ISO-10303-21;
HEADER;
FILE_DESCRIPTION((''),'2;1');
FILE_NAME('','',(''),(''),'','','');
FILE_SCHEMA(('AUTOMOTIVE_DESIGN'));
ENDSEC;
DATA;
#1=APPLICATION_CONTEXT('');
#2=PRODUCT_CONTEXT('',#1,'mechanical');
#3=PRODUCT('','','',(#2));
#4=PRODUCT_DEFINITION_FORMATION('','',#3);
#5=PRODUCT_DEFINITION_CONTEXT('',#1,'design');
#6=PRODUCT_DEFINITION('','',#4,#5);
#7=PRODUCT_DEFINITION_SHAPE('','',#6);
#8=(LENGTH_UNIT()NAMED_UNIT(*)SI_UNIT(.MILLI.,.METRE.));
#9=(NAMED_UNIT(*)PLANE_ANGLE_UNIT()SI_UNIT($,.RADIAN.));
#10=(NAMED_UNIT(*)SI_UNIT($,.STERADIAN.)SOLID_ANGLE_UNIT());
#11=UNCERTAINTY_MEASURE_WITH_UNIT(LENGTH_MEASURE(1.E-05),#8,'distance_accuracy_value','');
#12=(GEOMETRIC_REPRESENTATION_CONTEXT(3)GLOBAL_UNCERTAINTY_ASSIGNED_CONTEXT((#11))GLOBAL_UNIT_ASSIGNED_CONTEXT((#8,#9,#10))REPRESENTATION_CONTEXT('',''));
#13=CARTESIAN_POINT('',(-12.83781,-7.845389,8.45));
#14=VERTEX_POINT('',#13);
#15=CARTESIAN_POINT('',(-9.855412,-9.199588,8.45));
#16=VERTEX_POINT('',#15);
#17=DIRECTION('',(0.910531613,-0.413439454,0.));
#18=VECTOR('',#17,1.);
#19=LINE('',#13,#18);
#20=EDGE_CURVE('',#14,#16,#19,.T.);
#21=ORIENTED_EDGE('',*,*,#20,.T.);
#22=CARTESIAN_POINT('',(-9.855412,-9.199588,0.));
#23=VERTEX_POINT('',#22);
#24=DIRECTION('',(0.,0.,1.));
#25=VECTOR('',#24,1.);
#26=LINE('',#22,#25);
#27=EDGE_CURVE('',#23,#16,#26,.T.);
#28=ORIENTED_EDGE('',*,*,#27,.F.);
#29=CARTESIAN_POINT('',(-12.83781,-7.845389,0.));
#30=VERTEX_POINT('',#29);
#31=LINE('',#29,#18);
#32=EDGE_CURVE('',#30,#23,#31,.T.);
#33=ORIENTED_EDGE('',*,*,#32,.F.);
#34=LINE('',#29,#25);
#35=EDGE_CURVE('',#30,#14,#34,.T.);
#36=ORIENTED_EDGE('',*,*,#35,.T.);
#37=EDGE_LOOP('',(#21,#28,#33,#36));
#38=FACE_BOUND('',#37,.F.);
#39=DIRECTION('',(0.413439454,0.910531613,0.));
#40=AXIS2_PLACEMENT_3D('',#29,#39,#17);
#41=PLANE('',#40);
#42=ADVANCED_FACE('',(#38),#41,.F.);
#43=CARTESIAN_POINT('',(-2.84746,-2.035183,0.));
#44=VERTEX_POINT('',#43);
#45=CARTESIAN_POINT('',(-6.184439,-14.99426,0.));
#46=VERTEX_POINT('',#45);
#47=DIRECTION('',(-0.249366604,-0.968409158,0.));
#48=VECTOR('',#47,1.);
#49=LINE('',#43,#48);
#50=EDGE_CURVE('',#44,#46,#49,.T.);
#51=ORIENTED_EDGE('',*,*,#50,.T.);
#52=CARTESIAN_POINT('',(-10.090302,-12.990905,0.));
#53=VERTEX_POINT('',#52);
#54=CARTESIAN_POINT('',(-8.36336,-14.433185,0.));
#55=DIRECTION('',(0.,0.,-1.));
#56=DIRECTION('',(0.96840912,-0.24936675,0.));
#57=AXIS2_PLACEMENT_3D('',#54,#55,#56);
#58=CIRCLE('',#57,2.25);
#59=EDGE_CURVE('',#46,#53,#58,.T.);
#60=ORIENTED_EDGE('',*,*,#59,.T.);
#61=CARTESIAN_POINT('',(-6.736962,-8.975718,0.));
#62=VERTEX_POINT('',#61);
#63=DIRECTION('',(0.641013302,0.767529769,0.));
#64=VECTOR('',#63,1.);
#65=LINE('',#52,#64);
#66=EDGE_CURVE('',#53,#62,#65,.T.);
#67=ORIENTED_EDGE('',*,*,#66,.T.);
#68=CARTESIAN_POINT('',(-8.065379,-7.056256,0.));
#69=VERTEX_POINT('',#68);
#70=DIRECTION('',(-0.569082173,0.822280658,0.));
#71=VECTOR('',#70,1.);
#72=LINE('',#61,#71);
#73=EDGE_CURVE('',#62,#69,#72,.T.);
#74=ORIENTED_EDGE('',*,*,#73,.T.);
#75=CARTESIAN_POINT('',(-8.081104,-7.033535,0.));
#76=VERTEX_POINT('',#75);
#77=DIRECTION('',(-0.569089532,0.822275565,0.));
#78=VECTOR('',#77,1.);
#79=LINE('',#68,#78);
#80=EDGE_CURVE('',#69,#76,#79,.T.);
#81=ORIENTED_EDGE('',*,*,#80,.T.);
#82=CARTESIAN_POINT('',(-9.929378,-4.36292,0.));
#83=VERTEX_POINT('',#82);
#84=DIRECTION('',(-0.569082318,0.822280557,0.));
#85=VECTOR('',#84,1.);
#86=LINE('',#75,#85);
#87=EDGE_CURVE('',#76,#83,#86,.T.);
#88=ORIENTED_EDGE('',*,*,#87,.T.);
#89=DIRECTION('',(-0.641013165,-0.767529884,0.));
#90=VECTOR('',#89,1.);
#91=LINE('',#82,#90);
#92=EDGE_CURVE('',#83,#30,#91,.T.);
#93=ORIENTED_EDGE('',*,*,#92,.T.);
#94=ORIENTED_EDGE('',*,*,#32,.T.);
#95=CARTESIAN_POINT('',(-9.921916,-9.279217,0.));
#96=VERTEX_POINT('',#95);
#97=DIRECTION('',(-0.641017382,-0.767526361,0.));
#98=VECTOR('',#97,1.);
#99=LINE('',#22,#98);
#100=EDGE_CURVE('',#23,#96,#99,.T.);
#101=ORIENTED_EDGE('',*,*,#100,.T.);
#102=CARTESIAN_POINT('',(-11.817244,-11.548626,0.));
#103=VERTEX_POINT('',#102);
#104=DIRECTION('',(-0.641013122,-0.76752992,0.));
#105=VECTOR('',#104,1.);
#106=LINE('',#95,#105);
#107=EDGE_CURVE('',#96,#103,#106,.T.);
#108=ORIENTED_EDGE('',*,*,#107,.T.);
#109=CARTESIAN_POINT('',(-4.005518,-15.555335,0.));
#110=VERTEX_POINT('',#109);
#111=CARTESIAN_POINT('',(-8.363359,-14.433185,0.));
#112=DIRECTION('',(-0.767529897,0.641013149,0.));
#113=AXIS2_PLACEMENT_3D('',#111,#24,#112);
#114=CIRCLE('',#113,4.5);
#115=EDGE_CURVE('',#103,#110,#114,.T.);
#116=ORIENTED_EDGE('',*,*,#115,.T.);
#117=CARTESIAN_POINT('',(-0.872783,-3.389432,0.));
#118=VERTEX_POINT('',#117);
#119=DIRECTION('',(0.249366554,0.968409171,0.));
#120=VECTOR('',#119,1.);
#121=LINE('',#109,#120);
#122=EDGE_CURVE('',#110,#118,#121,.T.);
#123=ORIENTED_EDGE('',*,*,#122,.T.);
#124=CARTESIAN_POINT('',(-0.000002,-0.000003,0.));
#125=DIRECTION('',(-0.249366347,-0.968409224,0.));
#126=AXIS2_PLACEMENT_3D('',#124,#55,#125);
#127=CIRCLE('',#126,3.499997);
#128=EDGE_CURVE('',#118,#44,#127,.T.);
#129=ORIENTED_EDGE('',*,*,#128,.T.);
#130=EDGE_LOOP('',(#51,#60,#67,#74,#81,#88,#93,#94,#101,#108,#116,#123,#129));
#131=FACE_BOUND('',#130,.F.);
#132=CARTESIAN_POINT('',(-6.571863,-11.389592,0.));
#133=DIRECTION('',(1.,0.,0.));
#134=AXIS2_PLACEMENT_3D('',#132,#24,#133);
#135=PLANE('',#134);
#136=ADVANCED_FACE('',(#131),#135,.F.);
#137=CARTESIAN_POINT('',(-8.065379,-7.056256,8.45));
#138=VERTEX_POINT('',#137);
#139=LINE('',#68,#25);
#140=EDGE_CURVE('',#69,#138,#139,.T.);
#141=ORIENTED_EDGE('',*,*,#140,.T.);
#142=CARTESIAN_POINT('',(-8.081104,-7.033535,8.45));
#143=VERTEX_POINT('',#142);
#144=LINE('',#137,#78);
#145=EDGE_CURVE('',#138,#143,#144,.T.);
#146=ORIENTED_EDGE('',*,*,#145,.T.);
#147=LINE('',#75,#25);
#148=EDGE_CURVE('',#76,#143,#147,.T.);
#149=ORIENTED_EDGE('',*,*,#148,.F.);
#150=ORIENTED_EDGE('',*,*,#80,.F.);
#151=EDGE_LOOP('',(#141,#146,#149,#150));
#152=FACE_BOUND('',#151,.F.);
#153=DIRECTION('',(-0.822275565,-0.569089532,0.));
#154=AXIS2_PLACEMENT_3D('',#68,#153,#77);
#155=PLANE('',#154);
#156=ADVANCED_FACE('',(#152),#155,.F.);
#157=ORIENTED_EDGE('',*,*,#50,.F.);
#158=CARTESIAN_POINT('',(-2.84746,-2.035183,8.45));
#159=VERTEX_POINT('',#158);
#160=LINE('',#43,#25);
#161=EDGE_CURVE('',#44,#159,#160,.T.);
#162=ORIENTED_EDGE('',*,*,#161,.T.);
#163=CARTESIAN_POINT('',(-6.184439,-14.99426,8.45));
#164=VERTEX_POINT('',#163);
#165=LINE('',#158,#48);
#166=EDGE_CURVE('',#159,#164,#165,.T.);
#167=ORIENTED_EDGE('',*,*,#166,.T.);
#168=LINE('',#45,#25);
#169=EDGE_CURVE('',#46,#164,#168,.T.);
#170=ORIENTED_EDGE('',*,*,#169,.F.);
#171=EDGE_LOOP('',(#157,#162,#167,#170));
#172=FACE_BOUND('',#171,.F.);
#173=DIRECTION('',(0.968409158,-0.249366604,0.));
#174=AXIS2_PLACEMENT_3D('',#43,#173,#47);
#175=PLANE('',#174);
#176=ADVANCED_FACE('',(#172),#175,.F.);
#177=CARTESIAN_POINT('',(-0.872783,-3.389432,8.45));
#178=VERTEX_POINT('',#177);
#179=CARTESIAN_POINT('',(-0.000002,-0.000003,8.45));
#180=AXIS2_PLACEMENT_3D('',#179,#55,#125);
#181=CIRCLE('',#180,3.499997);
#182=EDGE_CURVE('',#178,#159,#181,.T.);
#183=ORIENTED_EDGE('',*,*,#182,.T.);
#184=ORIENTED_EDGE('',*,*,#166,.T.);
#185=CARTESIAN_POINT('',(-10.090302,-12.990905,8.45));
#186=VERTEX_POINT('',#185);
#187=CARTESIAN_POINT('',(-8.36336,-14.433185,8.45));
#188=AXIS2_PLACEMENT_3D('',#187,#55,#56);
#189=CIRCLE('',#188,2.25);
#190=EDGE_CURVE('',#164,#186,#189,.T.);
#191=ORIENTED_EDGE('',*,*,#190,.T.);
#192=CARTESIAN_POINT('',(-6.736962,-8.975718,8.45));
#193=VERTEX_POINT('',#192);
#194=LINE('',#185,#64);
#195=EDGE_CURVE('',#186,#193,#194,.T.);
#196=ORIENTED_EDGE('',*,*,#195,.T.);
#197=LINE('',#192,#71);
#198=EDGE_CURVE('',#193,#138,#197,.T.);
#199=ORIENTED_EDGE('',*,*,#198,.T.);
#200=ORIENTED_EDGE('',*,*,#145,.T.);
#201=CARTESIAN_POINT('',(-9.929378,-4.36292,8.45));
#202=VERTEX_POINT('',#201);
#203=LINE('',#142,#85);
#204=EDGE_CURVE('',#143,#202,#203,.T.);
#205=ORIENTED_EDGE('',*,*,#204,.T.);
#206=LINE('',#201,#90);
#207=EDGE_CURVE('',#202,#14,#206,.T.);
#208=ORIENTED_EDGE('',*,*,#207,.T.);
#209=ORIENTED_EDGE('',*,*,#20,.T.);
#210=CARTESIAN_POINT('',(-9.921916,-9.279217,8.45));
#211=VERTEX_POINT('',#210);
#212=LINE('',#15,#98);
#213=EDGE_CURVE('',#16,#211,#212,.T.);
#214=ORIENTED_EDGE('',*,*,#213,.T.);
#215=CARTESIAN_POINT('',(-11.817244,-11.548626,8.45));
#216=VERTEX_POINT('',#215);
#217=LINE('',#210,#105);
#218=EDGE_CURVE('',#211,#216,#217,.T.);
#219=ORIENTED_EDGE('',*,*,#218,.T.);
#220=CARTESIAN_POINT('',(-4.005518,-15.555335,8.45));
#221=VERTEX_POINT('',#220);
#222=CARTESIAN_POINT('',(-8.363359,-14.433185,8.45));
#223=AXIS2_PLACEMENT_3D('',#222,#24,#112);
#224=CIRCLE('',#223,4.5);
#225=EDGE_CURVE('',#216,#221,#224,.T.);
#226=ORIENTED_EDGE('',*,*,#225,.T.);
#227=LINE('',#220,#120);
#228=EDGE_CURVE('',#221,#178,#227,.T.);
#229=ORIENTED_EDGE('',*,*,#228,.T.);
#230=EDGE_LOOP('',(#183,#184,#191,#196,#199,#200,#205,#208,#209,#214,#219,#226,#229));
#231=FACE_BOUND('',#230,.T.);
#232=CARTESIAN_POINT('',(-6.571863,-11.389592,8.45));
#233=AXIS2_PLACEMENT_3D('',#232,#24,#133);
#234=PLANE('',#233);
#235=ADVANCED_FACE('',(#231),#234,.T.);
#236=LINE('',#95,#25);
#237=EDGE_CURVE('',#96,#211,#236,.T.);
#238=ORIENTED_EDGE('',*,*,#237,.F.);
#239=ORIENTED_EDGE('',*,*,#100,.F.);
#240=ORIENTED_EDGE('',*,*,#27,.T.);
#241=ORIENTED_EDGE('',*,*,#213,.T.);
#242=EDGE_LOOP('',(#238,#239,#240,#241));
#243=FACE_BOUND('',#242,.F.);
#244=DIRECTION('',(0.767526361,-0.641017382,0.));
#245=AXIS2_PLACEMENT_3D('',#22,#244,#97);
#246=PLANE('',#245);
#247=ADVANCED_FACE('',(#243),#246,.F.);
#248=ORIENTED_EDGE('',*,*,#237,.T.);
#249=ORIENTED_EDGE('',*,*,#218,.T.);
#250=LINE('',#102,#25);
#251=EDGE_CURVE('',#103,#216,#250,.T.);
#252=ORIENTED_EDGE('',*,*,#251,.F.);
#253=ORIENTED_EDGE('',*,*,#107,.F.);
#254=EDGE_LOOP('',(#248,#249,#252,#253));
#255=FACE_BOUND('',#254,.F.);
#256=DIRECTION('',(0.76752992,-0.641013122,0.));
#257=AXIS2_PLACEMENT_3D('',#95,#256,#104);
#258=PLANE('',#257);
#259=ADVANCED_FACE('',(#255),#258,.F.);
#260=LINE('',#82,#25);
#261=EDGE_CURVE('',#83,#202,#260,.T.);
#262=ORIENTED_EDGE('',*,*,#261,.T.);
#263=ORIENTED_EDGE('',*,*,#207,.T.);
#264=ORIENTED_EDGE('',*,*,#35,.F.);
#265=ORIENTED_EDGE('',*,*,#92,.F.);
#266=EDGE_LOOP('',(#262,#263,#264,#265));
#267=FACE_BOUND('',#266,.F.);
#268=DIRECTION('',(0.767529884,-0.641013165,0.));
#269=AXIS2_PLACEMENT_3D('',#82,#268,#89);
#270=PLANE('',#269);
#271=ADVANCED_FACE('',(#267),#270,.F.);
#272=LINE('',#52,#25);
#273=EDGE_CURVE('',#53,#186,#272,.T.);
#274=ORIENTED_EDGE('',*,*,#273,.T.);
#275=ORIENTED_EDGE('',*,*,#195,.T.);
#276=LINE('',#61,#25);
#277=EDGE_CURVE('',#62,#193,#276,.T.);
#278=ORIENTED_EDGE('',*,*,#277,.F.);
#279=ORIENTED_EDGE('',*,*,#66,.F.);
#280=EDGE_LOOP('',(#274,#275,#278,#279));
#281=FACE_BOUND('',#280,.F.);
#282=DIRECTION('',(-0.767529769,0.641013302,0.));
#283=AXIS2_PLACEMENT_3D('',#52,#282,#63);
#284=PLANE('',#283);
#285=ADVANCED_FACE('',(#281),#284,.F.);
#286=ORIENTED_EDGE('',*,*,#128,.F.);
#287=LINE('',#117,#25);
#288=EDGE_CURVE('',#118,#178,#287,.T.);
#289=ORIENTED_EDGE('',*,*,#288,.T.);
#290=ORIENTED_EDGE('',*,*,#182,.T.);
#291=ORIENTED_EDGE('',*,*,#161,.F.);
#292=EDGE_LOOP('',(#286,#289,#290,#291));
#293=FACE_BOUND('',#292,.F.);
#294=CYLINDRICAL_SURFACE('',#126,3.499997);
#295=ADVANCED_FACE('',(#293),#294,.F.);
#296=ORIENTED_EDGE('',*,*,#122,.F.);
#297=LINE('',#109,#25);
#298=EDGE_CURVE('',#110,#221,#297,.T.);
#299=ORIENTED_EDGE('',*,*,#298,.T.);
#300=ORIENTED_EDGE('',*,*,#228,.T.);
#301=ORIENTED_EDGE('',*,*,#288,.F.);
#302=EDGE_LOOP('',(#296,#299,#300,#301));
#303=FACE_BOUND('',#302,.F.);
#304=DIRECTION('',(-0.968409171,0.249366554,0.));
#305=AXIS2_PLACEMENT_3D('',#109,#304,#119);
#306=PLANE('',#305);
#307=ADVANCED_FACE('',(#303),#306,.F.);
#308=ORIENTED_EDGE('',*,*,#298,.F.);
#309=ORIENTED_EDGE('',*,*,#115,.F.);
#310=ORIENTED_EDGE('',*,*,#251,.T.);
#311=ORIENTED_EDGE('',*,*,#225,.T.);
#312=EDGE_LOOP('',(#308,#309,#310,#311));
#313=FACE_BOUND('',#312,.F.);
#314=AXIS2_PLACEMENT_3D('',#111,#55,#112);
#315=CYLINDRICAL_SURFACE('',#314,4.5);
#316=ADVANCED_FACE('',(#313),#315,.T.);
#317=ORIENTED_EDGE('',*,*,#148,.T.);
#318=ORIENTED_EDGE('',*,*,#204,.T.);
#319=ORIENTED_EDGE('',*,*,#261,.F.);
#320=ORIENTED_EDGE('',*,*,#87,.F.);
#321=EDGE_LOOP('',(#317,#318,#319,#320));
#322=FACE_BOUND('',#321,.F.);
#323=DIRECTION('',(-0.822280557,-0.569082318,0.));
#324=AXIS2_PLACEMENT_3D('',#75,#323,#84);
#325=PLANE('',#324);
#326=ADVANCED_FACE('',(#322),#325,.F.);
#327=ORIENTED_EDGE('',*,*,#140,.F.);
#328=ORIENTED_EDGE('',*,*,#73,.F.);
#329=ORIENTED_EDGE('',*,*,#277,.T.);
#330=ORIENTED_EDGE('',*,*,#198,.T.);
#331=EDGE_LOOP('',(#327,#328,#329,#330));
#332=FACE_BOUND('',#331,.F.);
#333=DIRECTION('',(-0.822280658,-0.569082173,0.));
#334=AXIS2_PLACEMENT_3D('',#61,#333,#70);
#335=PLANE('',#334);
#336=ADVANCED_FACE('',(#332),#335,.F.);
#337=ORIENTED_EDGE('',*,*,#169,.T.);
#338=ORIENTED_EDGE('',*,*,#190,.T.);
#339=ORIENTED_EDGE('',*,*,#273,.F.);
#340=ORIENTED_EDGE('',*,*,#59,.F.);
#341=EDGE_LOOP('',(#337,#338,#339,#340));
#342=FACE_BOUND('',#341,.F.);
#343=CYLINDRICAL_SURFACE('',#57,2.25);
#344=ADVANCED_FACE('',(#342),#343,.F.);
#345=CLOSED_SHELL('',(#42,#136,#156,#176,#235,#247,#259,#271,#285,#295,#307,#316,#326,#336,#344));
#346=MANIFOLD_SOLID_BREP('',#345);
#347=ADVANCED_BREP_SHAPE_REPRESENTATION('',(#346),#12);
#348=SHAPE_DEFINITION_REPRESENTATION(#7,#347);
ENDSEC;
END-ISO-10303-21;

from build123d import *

# Parameters (mm, degrees)
F1_DEPTH = 8.45


with BuildPart() as f1:
    # F0 (on Top) → F1 (new body)
    with BuildSketch(Plane.XY):
        with BuildLine():
            Line((-4.005518, -15.555335), (-0.872783, -3.389432))
            ThreePointArc((-0.872783, -3.389432), (-1.979533, -2.886425), (-2.84746, -2.035183))
            Line((-2.84746, -2.035183), (-6.184439, -14.99426))
            ThreePointArc((-6.184439, -14.99426), (-9.390213, -16.435202), (-10.090302, -12.990905))
            Line((-10.090302, -12.990905), (-6.736962, -8.975718))
            Line((-6.736962, -8.975718), (-8.065379, -7.056256))
            Line((-8.065379, -7.056256), (-9.855412, -9.199588))
            Line((-9.855412, -9.199588), (-9.921916, -9.279217))
            Line((-9.921916, -9.279217), (-11.817244, -11.548626))
            ThreePointArc((-11.817244, -11.548626), (-10.417067, -18.437219), (-4.005518, -15.555335))
        make_face()
        Polygon((-9.855412, -9.199588), (-8.065379, -7.056256), (-8.081104, -7.033535), (-9.929378, -4.36292), (-12.83781, -7.845389), align=None)
    extrude(amount=F1_DEPTH)


solid = f1.part
